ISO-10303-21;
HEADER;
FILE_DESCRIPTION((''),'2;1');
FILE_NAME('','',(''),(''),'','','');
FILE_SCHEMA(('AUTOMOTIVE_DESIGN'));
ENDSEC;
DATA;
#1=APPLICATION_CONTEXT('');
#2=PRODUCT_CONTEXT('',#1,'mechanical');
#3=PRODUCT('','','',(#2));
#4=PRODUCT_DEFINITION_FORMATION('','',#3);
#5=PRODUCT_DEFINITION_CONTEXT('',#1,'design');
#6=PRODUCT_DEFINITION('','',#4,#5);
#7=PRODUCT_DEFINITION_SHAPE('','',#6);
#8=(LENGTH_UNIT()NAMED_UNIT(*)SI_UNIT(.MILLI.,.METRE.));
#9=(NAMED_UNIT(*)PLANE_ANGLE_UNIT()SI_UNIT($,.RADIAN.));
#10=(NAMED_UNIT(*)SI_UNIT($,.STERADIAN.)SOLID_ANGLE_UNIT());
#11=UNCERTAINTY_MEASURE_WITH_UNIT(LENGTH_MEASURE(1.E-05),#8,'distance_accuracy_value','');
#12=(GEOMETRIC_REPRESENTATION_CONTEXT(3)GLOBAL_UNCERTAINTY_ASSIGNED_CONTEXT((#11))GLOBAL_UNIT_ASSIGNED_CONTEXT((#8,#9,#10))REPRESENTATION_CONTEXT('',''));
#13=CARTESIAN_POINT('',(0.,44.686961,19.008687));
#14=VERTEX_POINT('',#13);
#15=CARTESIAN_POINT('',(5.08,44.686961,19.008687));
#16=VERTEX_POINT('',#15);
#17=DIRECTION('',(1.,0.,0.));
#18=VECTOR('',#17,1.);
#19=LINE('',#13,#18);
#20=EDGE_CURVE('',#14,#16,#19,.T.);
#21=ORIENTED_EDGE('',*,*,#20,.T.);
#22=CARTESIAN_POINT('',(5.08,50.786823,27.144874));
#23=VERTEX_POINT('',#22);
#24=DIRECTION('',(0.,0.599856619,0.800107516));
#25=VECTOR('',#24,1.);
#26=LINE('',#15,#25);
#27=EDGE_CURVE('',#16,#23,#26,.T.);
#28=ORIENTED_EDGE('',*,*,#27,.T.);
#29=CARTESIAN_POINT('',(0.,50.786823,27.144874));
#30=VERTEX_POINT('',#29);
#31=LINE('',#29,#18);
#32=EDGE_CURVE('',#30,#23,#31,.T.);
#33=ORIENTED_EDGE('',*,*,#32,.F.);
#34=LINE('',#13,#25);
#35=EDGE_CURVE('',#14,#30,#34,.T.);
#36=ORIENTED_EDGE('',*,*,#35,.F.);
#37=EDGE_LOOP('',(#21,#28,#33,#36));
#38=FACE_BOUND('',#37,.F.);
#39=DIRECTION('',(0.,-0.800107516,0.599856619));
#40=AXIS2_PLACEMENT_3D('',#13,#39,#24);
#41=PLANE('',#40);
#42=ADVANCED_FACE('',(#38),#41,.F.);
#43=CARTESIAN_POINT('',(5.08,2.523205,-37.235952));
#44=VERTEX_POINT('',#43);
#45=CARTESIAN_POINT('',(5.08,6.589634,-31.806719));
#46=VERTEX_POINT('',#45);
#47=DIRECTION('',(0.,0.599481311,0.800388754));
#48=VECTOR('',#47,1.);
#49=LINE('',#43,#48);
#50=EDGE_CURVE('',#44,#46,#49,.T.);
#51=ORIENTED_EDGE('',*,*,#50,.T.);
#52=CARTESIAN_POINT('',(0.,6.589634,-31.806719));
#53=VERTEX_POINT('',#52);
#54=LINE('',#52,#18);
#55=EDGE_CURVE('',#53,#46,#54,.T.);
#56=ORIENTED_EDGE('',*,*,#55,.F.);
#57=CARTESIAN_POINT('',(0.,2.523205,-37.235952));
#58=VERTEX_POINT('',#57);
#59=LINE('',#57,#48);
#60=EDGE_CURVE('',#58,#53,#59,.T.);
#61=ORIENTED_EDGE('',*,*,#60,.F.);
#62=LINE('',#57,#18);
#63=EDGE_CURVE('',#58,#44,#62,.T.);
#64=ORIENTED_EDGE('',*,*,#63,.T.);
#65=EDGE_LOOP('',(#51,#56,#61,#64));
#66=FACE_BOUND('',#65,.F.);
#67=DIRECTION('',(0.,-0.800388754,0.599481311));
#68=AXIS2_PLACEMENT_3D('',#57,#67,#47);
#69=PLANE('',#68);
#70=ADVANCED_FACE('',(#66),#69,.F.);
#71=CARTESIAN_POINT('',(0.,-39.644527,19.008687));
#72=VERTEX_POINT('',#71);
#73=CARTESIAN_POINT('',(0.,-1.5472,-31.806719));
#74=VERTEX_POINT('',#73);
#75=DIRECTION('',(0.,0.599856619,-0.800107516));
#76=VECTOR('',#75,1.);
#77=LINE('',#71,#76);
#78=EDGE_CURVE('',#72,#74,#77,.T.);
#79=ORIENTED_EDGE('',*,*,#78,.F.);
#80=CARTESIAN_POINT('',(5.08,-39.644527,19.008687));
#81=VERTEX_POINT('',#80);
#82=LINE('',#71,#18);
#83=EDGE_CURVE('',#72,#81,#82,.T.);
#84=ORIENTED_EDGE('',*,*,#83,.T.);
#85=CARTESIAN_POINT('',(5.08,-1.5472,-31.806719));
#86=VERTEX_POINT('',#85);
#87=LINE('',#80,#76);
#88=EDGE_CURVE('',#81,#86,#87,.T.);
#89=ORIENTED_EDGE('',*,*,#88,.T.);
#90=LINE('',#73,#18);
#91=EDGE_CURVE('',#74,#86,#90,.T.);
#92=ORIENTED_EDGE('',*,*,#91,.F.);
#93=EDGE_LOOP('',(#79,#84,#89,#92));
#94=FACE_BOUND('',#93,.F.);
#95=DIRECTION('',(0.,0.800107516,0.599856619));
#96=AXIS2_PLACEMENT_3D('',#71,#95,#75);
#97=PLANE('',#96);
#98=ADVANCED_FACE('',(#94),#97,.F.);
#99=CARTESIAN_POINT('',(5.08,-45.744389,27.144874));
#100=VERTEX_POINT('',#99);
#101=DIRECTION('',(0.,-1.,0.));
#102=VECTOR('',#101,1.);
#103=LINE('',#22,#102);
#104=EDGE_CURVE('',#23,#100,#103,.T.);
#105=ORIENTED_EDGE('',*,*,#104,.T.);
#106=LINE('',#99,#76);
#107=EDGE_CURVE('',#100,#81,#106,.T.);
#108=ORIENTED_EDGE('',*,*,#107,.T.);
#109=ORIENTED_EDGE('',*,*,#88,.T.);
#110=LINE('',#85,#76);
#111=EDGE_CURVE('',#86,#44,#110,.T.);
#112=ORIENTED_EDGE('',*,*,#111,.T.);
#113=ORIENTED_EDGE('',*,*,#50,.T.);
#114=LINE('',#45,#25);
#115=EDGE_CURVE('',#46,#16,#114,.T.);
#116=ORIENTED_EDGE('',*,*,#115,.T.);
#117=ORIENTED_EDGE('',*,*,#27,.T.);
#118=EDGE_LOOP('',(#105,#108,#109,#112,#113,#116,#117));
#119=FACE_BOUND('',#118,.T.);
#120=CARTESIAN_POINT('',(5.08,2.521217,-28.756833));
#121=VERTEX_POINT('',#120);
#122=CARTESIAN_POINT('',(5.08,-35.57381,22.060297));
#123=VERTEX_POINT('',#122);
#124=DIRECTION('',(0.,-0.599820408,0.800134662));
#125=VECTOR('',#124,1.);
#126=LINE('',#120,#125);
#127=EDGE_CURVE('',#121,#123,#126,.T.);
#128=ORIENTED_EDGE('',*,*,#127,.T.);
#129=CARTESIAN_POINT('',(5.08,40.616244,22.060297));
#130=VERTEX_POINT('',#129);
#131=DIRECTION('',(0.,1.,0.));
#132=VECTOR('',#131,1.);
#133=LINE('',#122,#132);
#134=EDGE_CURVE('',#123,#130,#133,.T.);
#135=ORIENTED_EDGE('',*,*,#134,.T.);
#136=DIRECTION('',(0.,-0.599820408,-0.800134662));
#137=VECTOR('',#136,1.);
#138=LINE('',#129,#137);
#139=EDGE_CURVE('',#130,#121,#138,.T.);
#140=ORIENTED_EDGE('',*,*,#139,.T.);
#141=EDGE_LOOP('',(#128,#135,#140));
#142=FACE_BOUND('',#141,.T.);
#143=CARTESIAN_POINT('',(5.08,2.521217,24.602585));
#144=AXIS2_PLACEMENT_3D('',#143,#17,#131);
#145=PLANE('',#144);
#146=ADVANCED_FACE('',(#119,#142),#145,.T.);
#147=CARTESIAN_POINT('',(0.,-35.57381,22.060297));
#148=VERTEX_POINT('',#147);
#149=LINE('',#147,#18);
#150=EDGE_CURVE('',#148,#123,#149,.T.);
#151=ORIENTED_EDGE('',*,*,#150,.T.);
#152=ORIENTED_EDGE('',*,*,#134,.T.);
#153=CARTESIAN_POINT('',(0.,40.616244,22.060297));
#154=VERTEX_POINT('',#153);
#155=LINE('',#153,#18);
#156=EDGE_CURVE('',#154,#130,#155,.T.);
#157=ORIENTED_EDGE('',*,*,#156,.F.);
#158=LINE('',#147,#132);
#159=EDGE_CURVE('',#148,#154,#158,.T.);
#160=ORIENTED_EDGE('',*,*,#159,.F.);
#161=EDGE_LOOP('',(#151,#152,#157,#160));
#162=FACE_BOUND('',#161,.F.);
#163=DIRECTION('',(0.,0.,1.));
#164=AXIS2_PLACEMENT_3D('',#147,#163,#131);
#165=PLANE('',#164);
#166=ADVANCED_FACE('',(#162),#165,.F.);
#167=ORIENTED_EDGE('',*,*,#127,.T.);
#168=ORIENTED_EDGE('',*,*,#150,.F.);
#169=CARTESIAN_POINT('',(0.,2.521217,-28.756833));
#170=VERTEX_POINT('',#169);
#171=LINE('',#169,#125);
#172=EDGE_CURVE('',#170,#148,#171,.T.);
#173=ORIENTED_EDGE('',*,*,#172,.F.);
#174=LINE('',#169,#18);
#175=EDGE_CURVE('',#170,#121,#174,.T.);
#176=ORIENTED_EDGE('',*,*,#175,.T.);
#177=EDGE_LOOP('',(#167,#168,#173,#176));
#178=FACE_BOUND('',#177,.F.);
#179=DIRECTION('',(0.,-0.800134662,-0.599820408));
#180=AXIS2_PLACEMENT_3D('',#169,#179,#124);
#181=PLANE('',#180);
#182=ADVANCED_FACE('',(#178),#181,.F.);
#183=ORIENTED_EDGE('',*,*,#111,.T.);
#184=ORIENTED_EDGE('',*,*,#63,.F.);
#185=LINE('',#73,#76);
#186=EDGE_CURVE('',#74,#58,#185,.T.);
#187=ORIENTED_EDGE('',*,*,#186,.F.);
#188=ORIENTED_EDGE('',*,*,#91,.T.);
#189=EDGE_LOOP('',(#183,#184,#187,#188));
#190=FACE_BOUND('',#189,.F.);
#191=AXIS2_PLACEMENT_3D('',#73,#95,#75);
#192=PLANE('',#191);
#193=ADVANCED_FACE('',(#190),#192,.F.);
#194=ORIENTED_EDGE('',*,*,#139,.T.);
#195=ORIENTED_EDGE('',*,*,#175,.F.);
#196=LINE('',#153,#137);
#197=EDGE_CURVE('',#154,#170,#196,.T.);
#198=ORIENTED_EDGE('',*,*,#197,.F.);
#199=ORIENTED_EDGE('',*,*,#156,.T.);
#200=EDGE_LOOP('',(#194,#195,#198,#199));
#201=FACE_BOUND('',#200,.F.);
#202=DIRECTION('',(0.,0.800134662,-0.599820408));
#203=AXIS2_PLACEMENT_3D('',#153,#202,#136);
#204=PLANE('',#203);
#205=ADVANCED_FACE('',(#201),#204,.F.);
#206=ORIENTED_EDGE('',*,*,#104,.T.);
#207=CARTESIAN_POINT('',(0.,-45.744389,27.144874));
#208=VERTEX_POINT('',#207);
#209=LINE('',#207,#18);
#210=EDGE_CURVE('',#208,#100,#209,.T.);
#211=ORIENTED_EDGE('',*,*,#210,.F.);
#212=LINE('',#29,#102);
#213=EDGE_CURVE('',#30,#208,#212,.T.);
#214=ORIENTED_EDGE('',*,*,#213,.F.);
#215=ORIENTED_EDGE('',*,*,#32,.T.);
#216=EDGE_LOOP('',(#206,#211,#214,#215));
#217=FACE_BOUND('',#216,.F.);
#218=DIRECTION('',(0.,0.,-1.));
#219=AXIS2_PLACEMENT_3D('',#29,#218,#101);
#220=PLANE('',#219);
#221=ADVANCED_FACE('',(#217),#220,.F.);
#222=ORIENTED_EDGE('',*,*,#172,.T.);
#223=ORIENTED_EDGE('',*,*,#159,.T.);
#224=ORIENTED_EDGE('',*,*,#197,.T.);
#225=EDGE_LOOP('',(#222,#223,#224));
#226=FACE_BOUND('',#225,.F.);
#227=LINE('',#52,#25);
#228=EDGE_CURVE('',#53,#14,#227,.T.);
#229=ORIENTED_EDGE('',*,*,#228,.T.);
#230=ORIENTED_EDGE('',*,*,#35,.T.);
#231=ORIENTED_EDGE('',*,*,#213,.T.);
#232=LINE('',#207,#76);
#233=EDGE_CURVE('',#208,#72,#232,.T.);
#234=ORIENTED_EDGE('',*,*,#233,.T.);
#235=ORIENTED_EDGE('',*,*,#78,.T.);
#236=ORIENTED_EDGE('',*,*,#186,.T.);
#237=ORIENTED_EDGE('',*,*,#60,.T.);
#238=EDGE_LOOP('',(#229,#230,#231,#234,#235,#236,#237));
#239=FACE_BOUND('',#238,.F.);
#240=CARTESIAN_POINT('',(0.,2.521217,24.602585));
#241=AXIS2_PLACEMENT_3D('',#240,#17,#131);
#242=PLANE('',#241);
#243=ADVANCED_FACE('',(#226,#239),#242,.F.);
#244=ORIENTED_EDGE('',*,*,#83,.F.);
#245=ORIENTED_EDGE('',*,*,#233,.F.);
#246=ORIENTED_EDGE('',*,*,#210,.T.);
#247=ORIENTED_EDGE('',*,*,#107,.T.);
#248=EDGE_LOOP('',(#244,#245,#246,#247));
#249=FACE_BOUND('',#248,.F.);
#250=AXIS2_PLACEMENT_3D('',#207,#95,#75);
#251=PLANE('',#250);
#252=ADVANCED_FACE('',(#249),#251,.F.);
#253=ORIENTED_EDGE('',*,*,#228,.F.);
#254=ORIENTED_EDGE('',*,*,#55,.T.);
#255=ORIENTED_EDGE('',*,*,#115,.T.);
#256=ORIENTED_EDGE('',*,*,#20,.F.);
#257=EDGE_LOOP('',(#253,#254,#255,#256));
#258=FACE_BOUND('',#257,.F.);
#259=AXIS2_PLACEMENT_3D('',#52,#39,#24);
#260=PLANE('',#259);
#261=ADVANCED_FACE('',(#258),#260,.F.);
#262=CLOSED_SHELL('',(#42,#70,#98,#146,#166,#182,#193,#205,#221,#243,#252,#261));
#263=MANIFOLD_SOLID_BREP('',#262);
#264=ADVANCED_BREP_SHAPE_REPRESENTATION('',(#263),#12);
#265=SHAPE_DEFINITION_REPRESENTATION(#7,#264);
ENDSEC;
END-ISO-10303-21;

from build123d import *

# Parameters (mm, degrees)
F1_DEPTH = 5.08


with BuildPart() as f1:
    # F0 (on Right) → F1 (new body)
    with BuildSketch(Plane.YZ):
        Polygon((-35.573810339, 27.1448735148), (-35.573810339, 22.0602974296), (2.5212168694, 22.0602974296), (40.6162440777, 22.0602974296), (40.6162440777, 27.1448735148), align=None)
        Polygon((-39.6445272604, 19.0086872448), (-35.573810339, 22.0602974296), (-35.573810339, 27.1448735148), (-45.7443889554, 27.1448735148), align=None)
        Polygon((2.5212168694, -28.7568327039), (-35.573810339, 22.0602974296), (-39.6445272604, 19.0086872448), (-1.5472002365, -31.8067188336), align=None)
        Polygon((6.5896339752, -31.8067188336), (2.5212168694, -28.7568327039), (-1.5472002365, -31.8067188336), (2.5232048978, -37.2359524821), align=None)
        Polygon((40.6162440777, 22.0602974296), (2.5212168694, -28.7568327039), (6.5896339752, -31.8067188336), (44.6869609991, 19.0086872448), align=None)
        Polygon((40.6162440777, 27.1448735148), (40.6162440777, 22.0602974296), (44.6869609991, 19.0086872448), (50.7868226941, 27.1448735148), align=None)
    extrude(amount=F1_DEPTH)


solid = f1.part
